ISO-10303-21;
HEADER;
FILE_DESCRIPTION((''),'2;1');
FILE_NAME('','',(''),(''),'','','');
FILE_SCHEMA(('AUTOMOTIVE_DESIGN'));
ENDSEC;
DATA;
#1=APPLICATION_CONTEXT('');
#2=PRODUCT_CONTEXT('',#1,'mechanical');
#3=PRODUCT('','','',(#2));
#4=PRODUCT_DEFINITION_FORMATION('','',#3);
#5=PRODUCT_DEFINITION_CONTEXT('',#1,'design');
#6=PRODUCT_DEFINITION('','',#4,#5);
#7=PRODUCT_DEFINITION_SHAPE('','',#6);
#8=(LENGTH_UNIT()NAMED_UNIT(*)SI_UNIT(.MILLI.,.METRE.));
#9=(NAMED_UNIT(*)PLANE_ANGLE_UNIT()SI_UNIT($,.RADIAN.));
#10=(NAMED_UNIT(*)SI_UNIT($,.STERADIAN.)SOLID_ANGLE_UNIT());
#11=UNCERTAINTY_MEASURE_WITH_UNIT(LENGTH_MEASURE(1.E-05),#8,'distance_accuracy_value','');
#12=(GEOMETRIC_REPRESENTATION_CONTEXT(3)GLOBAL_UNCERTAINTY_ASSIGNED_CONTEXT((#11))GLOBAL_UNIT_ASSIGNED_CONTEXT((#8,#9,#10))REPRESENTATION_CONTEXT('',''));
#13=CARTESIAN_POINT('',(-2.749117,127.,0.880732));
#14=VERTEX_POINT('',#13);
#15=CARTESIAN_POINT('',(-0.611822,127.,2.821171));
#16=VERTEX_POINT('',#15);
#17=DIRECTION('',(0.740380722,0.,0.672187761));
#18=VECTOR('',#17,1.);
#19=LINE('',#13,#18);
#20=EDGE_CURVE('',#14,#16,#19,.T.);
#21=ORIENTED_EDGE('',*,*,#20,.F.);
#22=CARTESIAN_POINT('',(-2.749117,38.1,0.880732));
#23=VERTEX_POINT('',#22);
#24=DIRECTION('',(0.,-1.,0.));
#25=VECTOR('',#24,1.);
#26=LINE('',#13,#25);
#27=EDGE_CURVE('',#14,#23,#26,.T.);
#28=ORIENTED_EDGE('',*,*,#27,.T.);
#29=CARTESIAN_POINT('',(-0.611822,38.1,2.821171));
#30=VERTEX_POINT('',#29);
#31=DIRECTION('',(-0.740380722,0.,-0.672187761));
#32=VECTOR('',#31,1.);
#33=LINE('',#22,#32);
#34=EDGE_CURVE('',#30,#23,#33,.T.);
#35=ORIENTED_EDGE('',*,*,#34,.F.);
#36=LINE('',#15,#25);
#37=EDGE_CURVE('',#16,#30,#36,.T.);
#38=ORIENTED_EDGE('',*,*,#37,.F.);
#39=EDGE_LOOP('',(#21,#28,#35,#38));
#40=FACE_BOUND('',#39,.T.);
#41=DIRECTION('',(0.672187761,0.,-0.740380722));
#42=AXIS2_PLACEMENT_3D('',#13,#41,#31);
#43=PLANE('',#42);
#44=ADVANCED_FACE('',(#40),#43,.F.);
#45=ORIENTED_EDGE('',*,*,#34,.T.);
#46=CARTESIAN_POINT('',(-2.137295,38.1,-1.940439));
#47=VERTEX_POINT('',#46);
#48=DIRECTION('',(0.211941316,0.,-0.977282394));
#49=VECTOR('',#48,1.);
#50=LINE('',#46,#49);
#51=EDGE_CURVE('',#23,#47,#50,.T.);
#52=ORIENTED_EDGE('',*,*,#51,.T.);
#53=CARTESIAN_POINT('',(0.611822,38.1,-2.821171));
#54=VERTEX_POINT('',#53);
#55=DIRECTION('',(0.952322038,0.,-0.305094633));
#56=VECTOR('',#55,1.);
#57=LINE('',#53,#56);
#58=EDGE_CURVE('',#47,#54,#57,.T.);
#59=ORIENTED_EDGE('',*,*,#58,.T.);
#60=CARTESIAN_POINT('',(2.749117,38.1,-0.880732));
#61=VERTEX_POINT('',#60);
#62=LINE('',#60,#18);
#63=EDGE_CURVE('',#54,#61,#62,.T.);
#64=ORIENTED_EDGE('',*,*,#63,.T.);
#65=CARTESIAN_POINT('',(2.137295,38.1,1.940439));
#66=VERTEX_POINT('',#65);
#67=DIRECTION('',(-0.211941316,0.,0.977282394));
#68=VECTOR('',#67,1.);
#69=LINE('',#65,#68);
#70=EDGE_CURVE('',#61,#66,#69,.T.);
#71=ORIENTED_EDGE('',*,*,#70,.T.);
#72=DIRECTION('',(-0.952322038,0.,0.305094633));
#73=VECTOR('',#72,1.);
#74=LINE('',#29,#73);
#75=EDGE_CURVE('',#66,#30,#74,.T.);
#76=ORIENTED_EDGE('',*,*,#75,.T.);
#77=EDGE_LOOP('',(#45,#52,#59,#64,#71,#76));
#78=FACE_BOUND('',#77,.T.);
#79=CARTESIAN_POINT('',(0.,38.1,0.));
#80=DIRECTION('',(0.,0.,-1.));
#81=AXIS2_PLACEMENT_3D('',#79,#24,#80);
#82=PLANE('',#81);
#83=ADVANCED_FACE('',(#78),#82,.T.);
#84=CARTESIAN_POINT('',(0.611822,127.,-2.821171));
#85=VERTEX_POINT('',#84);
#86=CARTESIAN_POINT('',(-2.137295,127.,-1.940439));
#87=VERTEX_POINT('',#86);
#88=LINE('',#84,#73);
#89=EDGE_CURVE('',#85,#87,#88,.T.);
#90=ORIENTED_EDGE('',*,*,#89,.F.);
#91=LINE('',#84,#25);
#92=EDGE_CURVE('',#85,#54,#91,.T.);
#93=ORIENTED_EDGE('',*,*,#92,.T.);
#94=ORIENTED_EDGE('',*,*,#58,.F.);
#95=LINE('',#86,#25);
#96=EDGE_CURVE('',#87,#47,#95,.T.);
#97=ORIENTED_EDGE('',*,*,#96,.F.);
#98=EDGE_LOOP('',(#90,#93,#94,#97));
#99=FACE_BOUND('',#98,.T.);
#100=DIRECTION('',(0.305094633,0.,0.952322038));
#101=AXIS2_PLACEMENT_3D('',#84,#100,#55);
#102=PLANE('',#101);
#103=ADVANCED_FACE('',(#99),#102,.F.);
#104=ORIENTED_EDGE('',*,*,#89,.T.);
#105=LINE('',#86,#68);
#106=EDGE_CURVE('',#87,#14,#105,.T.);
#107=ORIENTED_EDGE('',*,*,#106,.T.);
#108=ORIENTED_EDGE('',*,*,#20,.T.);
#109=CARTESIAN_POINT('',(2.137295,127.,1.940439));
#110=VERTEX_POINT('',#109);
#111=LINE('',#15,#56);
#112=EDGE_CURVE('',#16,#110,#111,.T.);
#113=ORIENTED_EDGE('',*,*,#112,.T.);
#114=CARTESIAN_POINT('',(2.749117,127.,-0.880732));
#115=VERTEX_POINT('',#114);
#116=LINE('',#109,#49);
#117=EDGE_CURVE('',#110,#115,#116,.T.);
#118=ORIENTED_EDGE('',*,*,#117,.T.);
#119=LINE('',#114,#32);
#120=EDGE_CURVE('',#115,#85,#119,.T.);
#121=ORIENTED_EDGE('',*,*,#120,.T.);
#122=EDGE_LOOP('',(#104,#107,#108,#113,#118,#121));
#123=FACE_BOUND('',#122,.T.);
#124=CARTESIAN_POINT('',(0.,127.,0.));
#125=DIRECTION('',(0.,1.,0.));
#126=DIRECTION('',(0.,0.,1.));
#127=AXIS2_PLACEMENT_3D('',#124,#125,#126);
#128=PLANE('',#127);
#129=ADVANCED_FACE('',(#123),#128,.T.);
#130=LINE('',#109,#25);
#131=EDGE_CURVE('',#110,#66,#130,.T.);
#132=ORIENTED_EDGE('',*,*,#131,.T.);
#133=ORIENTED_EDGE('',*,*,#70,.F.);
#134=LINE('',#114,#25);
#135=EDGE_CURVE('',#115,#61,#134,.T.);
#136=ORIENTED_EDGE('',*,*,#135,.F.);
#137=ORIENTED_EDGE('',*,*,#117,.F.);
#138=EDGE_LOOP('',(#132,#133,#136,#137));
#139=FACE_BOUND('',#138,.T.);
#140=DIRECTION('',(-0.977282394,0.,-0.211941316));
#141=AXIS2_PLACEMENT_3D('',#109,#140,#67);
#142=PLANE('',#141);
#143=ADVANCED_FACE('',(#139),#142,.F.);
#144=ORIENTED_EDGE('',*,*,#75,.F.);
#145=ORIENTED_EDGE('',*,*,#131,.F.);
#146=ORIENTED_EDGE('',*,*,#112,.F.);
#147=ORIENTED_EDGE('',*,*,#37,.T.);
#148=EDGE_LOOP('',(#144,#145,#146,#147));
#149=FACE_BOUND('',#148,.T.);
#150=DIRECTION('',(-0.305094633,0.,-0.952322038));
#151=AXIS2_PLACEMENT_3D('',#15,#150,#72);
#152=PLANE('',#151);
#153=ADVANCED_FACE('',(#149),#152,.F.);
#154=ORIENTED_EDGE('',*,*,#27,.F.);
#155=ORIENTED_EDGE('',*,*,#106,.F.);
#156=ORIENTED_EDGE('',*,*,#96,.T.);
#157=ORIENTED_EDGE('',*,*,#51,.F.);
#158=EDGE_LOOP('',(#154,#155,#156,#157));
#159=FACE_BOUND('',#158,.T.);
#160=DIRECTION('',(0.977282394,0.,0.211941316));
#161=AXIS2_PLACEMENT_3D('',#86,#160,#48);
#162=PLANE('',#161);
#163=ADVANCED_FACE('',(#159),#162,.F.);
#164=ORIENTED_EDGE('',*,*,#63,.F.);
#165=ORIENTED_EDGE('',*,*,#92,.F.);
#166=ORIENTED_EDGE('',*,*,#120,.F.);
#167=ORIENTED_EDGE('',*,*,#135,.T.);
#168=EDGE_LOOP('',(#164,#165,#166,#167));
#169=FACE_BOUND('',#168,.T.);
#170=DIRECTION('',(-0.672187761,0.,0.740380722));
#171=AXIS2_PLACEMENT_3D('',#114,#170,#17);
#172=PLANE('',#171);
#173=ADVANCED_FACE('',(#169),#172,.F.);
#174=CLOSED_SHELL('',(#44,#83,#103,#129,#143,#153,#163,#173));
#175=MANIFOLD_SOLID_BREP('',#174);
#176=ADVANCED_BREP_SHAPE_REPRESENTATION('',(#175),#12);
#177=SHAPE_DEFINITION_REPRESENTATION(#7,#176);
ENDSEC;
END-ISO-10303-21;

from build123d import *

# Parameters (mm, degrees)
BOSS_EXTRUDE1_DEPTH = 127
SKETCH3_W           = 20.194547067
SKETCH3_H           = 18.170773651
CUT_EXTRUDE1_DEPTH  = 38.1


with BuildPart() as part:
    # Sketch2 → Boss-Extrude1 (new body)
    with BuildSketch(Plane(origin=(0, 0, 0), x_dir=(1, 0, 0), z_dir=(0, 1, 0))):
        Polygon((2.137295047, -1.940438924), (2.749116926, 0.880732344), (0.611821879, 2.821171268), (-2.137295047, 1.940438924), (-2.749116926, -0.880732344), (-0.611821879, -2.821171268), align=None)
    extrude(amount=BOSS_EXTRUDE1_DEPTH)

    # Sketch3 → Cut-Extrude1 (cut)
    with BuildSketch(Plane.XZ):
        with Locations((-3.121926418, 0.771419978)):
            Rectangle(SKETCH3_W, SKETCH3_H)
    extrude(amount=-CUT_EXTRUDE1_DEPTH, mode=Mode.SUBTRACT)


solid = part.part
